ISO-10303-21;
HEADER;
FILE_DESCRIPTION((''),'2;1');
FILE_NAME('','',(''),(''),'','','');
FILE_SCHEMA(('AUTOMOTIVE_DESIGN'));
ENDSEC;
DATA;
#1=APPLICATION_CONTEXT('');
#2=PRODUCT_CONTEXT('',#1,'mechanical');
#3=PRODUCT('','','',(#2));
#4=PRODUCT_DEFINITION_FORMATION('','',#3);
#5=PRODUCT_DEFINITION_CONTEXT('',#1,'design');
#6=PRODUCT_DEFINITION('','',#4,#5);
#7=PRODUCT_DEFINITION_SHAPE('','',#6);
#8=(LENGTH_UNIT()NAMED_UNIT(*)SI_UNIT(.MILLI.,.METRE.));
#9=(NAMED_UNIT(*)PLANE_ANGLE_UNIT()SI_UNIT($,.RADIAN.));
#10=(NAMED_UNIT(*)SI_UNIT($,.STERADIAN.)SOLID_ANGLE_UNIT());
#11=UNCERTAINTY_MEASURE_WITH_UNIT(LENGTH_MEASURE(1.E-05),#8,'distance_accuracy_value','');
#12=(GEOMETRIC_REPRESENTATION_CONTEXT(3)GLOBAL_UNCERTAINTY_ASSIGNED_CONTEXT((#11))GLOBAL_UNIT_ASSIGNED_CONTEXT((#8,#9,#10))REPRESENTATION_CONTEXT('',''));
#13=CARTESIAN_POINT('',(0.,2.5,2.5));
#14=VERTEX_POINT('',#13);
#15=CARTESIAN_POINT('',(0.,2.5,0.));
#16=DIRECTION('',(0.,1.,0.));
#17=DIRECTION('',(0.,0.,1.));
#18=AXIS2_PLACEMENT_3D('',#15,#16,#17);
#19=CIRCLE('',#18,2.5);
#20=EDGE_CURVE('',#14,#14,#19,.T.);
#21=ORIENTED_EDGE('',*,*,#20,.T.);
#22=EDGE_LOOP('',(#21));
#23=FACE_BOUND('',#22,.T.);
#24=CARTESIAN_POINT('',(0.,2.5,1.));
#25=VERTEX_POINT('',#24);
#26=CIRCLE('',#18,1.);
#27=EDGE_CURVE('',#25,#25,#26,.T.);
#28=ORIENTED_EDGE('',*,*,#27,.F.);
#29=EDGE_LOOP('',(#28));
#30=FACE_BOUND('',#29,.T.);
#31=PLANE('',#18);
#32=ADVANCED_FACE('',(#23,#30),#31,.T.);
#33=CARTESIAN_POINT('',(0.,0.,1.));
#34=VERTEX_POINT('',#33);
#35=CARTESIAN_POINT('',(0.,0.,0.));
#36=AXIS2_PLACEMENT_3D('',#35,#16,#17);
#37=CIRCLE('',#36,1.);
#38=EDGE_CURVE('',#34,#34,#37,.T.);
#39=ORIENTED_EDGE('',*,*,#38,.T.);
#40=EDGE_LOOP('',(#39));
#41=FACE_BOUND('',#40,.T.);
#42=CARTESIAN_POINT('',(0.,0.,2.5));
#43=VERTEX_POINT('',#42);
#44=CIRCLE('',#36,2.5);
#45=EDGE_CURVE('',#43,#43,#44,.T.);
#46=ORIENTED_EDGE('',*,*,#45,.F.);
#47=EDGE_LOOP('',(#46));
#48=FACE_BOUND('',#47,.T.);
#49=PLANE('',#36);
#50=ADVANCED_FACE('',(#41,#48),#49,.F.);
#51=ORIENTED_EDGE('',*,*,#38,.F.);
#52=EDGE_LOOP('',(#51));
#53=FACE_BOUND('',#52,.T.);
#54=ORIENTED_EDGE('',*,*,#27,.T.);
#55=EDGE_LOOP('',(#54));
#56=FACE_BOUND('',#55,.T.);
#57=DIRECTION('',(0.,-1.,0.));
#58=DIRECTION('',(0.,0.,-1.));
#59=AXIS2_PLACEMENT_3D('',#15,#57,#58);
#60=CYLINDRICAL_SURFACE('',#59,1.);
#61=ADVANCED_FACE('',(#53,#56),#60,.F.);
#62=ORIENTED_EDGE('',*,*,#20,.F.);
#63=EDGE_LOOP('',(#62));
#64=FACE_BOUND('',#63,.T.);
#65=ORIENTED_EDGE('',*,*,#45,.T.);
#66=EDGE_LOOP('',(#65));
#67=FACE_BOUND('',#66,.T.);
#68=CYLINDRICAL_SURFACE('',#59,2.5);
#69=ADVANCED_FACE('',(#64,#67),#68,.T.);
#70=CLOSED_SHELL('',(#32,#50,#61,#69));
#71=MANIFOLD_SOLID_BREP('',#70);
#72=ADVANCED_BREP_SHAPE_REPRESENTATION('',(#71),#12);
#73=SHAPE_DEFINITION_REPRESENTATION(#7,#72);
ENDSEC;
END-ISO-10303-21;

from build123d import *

# Parameters (mm, degrees)
SKETCH_1_R      = 2.5
SKETCH_1_R_2    = 1
EXTRUDE_1_DEPTH = 2.5


with BuildPart() as part:
    # 草图1 → 凸台-拉伸1 (new body)
    with BuildSketch(Plane(origin=(0, 0, 0), x_dir=(1, 0, 0), z_dir=(0, 1, 0))):
        Circle(SKETCH_1_R)
        Circle(SKETCH_1_R_2, mode=Mode.SUBTRACT)
    extrude(amount=EXTRUDE_1_DEPTH)


solid = part.part
